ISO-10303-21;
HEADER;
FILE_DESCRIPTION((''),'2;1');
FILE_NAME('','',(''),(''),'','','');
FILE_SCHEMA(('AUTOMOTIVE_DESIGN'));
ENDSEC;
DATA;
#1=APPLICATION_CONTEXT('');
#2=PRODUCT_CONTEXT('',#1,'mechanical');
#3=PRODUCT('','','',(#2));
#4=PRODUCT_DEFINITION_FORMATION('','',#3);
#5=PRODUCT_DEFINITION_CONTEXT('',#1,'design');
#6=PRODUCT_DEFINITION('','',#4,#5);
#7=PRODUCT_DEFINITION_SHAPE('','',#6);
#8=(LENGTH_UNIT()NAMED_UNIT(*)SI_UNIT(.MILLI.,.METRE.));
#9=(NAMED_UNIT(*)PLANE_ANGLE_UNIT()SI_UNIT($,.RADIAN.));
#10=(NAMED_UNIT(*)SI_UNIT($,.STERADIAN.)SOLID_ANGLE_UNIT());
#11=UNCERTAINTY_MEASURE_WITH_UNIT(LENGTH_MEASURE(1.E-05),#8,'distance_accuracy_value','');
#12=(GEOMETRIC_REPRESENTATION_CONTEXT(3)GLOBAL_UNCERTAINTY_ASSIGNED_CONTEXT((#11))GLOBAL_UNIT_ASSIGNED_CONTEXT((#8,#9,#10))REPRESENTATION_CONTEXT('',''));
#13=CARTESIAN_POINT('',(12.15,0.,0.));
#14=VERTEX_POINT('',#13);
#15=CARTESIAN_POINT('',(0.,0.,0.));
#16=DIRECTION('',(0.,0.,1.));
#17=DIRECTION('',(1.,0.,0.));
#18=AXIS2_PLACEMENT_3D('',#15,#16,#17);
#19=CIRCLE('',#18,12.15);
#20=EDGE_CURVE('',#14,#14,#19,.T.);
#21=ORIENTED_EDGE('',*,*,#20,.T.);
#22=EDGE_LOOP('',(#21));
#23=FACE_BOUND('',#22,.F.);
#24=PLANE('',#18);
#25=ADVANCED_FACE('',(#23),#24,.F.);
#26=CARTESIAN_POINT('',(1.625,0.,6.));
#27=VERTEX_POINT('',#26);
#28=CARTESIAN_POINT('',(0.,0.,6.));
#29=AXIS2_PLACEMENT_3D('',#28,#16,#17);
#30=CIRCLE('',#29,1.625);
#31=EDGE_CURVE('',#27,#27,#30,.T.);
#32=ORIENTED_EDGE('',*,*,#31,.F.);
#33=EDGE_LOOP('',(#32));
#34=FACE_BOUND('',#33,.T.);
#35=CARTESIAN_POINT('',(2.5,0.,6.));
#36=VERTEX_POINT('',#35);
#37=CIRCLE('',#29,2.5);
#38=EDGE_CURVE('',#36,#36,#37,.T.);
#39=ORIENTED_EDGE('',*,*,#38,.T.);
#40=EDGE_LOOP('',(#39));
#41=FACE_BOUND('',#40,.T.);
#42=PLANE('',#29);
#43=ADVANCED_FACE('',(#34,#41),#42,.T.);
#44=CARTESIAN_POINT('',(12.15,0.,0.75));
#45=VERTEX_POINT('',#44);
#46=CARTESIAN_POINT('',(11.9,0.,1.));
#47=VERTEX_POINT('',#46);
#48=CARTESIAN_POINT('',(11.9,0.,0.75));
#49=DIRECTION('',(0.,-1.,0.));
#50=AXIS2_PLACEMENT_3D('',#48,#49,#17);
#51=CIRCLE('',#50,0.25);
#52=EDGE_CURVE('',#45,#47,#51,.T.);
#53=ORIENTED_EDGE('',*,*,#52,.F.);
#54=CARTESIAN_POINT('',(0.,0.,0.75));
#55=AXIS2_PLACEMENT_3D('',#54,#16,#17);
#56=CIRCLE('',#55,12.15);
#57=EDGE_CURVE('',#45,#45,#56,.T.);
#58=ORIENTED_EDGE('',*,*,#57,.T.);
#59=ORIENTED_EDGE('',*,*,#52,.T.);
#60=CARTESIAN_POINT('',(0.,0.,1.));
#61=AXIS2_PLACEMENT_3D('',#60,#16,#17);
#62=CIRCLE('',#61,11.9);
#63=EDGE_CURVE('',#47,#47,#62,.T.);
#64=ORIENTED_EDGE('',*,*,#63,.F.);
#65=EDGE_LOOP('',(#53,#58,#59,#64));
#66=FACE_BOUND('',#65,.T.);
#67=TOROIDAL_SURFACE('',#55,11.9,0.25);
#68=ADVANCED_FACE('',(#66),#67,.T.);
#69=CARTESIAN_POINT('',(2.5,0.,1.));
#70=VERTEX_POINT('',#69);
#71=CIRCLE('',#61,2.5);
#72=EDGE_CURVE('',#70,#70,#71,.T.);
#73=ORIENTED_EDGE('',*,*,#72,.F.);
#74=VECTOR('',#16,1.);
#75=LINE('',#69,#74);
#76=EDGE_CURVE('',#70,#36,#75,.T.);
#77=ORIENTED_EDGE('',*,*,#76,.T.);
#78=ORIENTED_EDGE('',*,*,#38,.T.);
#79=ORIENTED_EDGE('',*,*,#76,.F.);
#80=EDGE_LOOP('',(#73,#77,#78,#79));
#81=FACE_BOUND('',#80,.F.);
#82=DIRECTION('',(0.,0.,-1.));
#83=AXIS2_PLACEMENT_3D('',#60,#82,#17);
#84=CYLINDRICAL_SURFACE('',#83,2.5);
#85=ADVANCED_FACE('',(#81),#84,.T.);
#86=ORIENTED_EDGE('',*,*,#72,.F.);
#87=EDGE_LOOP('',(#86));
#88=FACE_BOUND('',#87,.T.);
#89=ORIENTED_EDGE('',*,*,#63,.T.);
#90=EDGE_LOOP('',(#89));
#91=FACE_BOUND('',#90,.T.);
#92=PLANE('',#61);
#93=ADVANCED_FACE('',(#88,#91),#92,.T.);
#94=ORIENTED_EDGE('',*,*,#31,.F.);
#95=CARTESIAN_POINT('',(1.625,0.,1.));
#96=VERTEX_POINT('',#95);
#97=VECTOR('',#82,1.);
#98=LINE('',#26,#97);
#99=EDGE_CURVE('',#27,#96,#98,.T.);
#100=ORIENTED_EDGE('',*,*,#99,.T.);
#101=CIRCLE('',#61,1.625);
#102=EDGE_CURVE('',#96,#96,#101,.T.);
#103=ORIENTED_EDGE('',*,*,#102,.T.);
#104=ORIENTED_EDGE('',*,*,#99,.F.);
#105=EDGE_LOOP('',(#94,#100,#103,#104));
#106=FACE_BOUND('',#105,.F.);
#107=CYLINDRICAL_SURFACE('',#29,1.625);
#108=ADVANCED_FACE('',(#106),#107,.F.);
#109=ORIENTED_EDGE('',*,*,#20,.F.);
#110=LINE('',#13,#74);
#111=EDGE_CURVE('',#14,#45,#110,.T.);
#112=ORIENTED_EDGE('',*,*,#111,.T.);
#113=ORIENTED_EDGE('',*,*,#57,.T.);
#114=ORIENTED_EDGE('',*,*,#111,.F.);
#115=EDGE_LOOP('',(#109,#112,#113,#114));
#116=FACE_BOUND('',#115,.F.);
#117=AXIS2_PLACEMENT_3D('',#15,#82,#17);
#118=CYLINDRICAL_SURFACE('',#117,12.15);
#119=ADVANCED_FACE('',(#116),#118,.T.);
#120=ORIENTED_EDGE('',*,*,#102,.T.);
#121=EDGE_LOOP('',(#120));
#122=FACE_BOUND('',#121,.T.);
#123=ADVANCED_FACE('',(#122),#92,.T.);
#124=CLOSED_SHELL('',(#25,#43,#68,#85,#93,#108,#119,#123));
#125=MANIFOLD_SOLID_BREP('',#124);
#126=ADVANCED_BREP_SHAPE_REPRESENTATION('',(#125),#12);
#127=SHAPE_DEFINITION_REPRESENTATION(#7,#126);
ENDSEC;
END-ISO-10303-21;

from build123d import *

# Parameters (mm, degrees)
SKETCH_R     = 12.15
PAD_DEPTH    = 1
FILLET_R     = 0.25
SKETCH001_R  = 2.5
PAD001_DEPTH = 5
SKETCH002_R  = 1.625
POCKET_DEPTH = 5


with BuildPart() as part:
    # Sketch → Pad (new body)
    with BuildSketch(Plane.XY):
        Circle(SKETCH_R)
    extrude(amount=PAD_DEPTH)

    # Fillet
    fillet_edges = [part.edges().sort_by_distance(p)[0] for p in [
        (-12.15, 0, 1),
    ]]
    fillet(fillet_edges, radius=FILLET_R)

    # Sketch001 (on Face4 of Fillet) → Pad001 (join)
    with BuildSketch(Plane.XY.offset(1)):
        Circle(SKETCH001_R)
    extrude(amount=PAD001_DEPTH)

    # Sketch002 (on Face6 of Pad001) → Pocket (cut)
    with BuildSketch(Plane.XY.offset(6)):
        Circle(SKETCH002_R)
    extrude(amount=-POCKET_DEPTH, mode=Mode.SUBTRACT)


solid = part.part
